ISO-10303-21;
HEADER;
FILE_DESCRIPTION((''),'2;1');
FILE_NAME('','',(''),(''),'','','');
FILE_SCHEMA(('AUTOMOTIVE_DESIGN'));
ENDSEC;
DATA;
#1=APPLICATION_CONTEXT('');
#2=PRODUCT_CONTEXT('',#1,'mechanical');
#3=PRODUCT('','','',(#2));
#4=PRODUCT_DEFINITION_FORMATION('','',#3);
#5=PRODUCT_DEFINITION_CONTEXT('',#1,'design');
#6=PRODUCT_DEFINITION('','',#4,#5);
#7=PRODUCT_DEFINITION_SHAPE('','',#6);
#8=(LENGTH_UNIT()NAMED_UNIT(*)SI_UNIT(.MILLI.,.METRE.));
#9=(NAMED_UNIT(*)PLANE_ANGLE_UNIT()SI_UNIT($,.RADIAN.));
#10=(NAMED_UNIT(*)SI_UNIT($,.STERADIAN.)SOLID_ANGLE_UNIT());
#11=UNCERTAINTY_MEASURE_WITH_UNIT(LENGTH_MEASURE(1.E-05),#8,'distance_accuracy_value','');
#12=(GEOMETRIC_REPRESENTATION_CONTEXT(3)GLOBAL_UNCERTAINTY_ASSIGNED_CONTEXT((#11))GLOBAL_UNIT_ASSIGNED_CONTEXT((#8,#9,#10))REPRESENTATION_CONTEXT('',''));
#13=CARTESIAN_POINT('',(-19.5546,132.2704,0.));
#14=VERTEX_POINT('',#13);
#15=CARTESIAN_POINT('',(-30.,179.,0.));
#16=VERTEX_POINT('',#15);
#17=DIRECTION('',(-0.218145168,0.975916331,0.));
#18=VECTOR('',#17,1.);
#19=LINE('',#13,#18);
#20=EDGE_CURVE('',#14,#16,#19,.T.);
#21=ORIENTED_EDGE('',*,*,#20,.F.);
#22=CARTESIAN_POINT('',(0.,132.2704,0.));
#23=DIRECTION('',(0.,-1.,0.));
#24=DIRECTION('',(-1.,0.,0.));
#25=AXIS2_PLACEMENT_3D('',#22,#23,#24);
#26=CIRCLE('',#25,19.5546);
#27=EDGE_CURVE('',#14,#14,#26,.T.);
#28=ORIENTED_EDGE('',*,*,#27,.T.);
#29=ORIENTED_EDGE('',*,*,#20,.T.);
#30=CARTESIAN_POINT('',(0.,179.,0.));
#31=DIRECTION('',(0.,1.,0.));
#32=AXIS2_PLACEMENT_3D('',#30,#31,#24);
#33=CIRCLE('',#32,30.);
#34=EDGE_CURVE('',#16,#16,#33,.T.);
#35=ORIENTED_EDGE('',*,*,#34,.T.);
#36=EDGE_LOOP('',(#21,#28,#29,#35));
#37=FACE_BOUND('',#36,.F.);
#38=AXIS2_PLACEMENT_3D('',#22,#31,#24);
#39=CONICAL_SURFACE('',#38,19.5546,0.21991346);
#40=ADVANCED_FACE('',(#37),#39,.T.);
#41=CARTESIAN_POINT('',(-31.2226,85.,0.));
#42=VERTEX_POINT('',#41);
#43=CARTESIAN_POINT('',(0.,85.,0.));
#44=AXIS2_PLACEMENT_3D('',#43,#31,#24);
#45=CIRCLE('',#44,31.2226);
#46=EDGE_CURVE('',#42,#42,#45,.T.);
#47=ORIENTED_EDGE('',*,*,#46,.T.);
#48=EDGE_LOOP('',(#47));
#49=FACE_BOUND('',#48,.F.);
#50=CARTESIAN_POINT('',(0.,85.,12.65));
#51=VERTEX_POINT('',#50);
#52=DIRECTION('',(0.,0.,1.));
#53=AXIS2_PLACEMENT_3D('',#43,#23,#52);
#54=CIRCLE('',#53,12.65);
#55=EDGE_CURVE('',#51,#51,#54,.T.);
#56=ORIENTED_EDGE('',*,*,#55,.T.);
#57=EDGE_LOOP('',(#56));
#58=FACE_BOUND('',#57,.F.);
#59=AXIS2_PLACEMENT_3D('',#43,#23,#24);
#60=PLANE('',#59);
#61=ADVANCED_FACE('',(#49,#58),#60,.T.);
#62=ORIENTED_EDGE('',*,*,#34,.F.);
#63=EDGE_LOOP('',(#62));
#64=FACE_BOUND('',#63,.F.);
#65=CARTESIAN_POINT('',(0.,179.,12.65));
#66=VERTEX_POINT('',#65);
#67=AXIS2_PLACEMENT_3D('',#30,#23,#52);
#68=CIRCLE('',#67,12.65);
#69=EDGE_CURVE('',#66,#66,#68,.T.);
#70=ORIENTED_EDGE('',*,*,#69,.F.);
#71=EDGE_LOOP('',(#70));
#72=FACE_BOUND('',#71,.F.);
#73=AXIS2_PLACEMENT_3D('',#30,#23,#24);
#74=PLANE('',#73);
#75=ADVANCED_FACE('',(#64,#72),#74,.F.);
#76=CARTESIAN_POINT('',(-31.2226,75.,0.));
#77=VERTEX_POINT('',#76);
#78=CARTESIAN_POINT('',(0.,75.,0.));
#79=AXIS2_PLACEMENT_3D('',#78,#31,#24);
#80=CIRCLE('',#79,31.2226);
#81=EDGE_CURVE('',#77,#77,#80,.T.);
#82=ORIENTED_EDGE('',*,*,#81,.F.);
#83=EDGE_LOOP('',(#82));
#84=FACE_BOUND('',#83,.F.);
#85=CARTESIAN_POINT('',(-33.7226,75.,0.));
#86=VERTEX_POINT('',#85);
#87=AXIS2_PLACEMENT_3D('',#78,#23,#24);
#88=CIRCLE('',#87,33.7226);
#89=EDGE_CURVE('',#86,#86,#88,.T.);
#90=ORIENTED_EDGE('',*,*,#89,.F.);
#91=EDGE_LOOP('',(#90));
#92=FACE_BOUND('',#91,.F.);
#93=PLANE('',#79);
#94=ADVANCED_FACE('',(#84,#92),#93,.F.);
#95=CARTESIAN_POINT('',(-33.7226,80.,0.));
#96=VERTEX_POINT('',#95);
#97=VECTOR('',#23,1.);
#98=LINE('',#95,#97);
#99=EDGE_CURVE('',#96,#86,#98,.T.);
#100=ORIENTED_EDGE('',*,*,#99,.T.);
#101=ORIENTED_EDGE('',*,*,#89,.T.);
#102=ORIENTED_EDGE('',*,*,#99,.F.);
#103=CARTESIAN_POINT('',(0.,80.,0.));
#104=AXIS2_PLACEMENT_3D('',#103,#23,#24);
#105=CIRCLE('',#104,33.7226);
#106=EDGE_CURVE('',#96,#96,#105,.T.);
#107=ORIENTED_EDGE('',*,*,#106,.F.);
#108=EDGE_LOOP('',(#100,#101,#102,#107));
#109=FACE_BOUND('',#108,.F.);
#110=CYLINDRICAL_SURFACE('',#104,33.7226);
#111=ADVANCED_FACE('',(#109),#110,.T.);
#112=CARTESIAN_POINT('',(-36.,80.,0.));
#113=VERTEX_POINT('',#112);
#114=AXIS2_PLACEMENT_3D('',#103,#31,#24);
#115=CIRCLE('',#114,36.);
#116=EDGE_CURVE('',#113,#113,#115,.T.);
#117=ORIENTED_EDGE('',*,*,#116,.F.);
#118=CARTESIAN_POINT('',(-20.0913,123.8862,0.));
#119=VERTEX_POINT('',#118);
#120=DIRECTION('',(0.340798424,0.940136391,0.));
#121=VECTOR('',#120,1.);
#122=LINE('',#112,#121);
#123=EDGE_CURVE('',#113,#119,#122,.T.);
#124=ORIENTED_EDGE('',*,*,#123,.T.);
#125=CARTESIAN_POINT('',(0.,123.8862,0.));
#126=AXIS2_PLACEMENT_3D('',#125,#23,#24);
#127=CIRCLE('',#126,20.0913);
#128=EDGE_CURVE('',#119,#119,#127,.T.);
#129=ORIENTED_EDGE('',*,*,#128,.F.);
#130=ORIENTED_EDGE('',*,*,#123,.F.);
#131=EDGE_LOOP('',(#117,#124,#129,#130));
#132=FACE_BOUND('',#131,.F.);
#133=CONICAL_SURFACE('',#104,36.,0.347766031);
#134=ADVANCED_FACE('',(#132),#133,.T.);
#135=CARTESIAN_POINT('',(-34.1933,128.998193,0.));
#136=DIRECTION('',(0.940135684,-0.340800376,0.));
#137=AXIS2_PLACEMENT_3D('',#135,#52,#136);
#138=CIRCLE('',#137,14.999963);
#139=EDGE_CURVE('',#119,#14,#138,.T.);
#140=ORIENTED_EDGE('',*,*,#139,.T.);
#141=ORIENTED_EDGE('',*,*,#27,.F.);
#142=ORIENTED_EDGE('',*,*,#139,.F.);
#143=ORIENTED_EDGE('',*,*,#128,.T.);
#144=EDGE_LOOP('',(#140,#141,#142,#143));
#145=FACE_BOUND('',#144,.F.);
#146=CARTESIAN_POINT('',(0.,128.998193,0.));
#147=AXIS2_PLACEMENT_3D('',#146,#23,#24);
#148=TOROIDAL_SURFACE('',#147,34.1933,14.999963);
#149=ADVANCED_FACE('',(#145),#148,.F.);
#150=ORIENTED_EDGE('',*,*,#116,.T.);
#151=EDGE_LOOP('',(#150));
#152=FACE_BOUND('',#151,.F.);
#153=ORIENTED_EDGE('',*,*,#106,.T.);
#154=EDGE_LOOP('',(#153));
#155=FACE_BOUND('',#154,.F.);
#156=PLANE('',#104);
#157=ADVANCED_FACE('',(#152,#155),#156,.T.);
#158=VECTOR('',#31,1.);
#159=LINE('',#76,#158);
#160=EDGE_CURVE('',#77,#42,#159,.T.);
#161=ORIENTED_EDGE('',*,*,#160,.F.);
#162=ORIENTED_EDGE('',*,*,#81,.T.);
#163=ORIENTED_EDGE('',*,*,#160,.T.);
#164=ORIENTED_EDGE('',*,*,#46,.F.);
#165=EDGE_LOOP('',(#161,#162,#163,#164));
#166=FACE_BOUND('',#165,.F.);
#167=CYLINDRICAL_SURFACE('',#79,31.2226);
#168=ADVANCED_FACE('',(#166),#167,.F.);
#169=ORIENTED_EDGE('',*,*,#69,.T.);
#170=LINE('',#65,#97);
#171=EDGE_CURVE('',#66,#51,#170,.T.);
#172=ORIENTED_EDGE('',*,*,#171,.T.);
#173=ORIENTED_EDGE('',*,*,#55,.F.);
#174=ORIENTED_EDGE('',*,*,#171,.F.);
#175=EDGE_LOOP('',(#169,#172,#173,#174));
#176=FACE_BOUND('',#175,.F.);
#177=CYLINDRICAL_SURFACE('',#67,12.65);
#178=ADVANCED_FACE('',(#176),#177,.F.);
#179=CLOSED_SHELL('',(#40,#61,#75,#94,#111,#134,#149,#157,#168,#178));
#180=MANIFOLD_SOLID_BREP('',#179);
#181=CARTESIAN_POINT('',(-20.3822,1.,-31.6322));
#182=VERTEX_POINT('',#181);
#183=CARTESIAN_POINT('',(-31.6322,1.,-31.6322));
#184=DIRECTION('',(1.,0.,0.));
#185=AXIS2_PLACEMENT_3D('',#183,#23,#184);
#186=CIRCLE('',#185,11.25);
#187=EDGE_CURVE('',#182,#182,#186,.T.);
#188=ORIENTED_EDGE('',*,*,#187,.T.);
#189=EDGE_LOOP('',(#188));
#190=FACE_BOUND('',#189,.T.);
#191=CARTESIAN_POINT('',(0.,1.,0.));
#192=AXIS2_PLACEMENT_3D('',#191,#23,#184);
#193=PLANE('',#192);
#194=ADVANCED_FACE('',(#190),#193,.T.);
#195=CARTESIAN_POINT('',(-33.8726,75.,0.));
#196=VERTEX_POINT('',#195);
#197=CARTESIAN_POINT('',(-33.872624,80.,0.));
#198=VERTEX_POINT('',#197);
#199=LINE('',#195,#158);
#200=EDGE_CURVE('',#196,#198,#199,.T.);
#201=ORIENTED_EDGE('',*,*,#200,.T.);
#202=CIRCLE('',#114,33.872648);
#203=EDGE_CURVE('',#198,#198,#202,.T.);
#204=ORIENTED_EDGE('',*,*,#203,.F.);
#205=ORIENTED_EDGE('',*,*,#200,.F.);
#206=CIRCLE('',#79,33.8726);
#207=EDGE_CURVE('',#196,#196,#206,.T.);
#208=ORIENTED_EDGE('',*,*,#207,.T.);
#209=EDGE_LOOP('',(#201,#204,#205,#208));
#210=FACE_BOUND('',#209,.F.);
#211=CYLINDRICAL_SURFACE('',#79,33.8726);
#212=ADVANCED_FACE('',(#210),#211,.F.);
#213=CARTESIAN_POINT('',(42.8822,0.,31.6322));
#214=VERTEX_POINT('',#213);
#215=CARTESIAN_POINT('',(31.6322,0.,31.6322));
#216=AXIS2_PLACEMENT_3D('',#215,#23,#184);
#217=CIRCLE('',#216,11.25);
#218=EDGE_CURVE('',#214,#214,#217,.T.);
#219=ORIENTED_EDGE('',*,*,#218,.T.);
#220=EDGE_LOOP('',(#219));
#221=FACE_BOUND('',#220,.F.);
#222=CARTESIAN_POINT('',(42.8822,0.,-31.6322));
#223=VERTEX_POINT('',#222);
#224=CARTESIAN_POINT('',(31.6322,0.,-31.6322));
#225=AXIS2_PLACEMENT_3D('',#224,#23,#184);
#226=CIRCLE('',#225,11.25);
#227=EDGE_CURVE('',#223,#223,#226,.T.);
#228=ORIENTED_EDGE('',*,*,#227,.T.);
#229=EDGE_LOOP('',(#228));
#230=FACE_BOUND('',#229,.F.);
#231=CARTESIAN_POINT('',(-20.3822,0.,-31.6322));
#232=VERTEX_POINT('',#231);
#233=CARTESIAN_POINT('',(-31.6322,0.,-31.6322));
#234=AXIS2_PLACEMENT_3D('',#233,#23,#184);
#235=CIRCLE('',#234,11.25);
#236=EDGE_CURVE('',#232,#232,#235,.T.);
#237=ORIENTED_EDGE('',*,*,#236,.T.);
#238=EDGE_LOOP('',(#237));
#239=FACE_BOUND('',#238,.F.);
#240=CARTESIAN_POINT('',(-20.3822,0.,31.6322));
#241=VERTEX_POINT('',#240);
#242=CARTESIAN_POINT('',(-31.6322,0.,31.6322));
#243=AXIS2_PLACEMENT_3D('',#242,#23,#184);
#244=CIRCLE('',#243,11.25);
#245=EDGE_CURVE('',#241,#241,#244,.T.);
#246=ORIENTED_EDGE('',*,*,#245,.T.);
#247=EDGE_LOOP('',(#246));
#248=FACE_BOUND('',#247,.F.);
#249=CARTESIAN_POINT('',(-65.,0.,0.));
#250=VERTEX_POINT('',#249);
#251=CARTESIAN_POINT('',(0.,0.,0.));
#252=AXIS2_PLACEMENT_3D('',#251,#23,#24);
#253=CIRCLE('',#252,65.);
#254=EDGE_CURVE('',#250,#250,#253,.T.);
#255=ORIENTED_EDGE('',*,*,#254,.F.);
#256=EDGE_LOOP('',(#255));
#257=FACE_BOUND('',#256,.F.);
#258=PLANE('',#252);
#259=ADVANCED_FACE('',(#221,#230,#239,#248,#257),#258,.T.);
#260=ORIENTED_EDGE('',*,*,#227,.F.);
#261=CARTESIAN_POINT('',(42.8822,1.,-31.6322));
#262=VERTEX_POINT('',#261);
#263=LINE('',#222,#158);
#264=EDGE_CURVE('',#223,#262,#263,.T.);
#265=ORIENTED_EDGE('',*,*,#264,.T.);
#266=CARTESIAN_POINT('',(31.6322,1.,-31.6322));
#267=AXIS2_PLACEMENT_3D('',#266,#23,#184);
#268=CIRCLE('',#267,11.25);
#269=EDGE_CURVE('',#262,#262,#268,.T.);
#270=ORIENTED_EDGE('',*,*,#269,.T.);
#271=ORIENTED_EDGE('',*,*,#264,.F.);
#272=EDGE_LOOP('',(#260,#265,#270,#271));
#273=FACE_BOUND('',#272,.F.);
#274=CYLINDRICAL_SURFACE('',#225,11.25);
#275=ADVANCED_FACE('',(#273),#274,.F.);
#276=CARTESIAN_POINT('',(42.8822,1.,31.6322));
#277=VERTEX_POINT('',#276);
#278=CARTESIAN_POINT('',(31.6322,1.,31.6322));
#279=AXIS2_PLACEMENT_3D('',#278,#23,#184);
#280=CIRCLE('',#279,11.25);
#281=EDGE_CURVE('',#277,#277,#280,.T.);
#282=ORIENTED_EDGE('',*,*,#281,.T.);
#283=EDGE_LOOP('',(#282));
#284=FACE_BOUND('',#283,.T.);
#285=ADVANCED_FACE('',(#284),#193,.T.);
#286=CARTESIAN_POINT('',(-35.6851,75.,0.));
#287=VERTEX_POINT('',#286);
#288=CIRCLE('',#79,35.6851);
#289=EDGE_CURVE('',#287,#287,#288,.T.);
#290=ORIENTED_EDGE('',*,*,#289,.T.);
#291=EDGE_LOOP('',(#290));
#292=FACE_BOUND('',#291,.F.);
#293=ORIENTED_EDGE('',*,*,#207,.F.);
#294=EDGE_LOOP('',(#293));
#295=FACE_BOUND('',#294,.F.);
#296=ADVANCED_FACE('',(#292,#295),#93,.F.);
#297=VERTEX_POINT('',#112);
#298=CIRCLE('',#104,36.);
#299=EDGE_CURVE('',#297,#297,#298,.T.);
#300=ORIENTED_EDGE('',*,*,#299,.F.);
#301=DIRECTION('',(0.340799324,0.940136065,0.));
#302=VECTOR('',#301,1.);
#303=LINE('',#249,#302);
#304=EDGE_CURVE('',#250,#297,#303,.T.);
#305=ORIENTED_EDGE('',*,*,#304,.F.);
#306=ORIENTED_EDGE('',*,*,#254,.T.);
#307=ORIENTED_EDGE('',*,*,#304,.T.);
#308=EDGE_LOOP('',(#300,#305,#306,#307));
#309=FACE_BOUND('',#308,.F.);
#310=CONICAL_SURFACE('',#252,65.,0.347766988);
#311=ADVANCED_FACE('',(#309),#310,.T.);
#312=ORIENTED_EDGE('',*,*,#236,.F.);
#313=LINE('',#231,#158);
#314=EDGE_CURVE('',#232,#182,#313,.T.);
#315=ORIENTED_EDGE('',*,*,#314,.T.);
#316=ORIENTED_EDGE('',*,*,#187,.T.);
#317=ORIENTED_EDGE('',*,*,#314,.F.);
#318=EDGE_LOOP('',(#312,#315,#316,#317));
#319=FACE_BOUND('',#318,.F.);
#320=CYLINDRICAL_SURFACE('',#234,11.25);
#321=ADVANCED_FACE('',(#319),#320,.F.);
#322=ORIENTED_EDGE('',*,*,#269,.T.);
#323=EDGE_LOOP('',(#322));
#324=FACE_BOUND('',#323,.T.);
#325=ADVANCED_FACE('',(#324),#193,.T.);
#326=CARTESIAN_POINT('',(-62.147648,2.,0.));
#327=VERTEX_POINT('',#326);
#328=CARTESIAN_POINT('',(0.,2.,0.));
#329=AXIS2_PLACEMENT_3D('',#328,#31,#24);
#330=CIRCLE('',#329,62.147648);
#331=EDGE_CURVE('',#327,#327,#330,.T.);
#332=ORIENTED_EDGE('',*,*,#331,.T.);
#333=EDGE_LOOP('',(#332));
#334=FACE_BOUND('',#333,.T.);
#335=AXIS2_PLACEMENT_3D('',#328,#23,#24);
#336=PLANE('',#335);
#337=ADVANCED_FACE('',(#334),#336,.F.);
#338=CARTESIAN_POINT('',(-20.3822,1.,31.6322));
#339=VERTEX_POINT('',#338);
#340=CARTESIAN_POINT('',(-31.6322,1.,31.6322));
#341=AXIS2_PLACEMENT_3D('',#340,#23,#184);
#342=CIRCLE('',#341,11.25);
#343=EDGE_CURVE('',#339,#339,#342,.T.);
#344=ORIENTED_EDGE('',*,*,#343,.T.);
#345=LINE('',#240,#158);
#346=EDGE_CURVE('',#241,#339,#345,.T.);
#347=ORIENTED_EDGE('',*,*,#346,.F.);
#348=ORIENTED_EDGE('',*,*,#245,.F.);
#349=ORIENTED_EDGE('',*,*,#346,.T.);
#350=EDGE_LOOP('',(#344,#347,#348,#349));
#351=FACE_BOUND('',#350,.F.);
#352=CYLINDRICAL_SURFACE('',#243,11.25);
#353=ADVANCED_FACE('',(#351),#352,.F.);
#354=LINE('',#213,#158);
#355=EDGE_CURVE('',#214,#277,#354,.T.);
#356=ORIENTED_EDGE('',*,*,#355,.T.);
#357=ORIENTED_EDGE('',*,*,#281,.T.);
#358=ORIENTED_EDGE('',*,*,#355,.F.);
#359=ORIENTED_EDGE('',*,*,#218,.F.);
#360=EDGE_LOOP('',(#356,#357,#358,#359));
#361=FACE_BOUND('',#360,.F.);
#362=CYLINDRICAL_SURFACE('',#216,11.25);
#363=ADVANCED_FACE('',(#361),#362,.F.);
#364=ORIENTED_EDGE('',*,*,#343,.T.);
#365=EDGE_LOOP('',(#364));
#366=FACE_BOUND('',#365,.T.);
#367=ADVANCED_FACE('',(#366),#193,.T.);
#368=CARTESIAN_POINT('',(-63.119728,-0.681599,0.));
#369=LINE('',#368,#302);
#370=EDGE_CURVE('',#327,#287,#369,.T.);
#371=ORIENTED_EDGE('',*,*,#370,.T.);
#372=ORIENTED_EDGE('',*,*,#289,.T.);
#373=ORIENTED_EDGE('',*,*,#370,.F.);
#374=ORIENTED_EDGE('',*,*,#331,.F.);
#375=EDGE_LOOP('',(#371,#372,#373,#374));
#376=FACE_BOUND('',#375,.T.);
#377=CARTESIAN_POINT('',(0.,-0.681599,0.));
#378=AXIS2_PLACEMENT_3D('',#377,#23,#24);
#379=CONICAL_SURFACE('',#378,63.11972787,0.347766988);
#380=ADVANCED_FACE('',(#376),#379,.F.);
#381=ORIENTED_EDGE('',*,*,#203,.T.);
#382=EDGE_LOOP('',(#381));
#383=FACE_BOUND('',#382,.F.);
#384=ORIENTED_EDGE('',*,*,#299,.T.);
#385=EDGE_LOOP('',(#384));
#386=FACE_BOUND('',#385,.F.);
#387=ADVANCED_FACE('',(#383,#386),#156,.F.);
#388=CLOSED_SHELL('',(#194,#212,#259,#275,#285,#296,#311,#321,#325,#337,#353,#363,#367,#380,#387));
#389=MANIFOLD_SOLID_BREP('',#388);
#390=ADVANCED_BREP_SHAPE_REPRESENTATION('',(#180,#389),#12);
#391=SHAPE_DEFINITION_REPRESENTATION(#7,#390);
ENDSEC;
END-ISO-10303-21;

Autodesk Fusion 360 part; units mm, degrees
sketch "Esquisse1" plane through (0, 0, 0) normal (0, 0, 1) x (1, 0, 0)
  line L0 (0, 0) -> (-65, 0)
  line L1 (-65, 0) -> (-36, 80)
  line L2 (-36, 80) -> (0, 80)
  line L3 (0, 80) -> (0, 0)
  dimension "d1" = 65
  dimension "d2" = 36
  dimension "d3" = 80
revolve "Révolution1" add sketch "Esquisse1" angle 360 about axis through (0, 80, 0) along (0, -1, 0) makes body 1
shell "Coque1" thickness 2 removed faces 1 at (-7.6159, 80, -11.1705) on bodies 1
sketch "Esquisse2" plane through (0, 0, 0) normal (0, 0, 1) x (1, 0, 0)
  line L0 (0, 80) -> (-36, 80)
  line L1 (-36, 80) -> (-20.0913, 123.8862)
  line L2 (-19.5546, 132.2704) -> (-30, 179)
  line L3 (-30, 179) -> (0, 179)
  line L4 (0, 179) -> (0, 80)
  arc A0 (-20.0913, 123.8862) -> (-19.5546, 132.2704) centre (-34.1933, 128.9982) ccw
  line L5 (0, 1.75) -> (0, 22.5)
  line L6 (-19.5546, 132.2704) -> (-18.6, 128) construction
  line L7 (-18.6, 128) -> (-20.0913, 123.8862) construction
  line L8 (65, 0) -> (-65, 0)
  line L9 (36, 80) -> (-36, 80)
  line L10 (-65, 0) -> (-36, 80)
  line L11 (-36, 80) -> (0, 80)
  point P0 (-18.6, 128)
  point P1 (-36, 80)
  dimension "d6" = 30
  dimension "d8" = 48
  dimension "d9" = 51
  dimension "d10" = 15
  dimension "d44" = 18.6
  dimension "d45" = 36
revolve "Révolution2" add sketch "Esquisse2" angle 360 about axis through (0, 179, 0) along (0, -1, 0) separate body makes body 2
sketch "Esquisse6" plane through (0, 0, 0) normal (0, 0, 1) x (1, 0, 0)
  line L0 (-33.8726, 80) -> (-35.6851, 80)
  line L1 (-35.6851, 80) -> (-35.6851, 75)
  line L2 (-35.6851, 75) -> (-33.8726, 75)
  line L3 (-33.8726, 75) -> (-33.8726, 80)
  line L4 (62.1476, 2) -> (-62.1476, 2)
  line L5 (-33.8726, 80) -> (33.8726, 80)
  line L6 (-62.1476, 2) -> (-33.8726, 80) construction
  dimension "d46" = 5
revolve "Révolution4" add sketch "Esquisse6" angle 360 about axis through (0, 1.75, 0) along (0, 1, 0) bodies 1
sketch "Esquisse3" plane through (0, 0, 0) normal (0, 0, 1) x (1, 0, 0)
  line L0 (-33.7226, 80) -> (-33.7226, 75)
  line L1 (-33.7226, 75) -> (-31.2226, 75)
  line L2 (-31.2226, 75) -> (-31.2226, 80)
  line L3 (-31.2226, 80) -> (-33.7226, 80)
  line L4 (30, 179) -> (-30, 179)
  line L5 (36, 80) -> (-36, 80)
  arc A0 (-20.0913, 123.8862) -> (-19.5546, 132.2704) centre (-34.1933, 128.9982) ccw
  arc A1 (19.5546, 132.2704) -> (20.0913, 123.8862) centre (34.1933, 128.9982) ccw
  line L6 (19.5546, 132.2704) -> (30, 179)
  line L7 (-19.5546, 132.2704) -> (-30, 179)
  line L8 (-20.0913, 123.8862) -> (-36, 80)
  line L9 (20.0913, 123.8862) -> (36, 80)
  point P0 (-33.8726, 80)
  dimension "d12" = 5
  dimension "d13" = 2.5
  dimension "d48" = 0.15
revolve "Révolution3" add sketch "Esquisse3" angle 360 about axis through (0, 1.75, 0) along (0, 1, 0) contours L0 L1 L2 L3 L5 bodies 2
hole "Perçage1" at (0, 179, 0) direction (0, -1, 0) diameter 25.3 depth 100 tip angle 180 bodies 2
move_face "DéplacerFace1" by (0, 5, 0) 1 faces at (-24.9037, 80, -1.8663) on bodies 2
sketch "Esquisse7" plane through (0, 0, 0) normal (0, -1, 0) x (1, 0, 0)
  circle A0 centre (0, 0) radius 65
  circle A1 centre (-31.6322, 31.6322) radius 11.25
  circle A2 centre (-31.6322, -31.6322) radius 11.25
  circle A3 centre (31.6322, 31.6322) radius 11.25
  circle A4 centre (31.6322, -31.6322) radius 11.25
  line L0 (-31.6322, 31.6322) -> (31.6322, -31.6322) construction
  line L1 (-31.6322, -31.6322) -> (31.6322, 31.6322) construction
  line L2 (-31.6322, 31.6322) -> (31.6322, 31.6322) construction
  line L3 (31.6322, 31.6322) -> (31.6322, -31.6322) construction
  line L4 (31.6322, -31.6322) -> (-31.6322, -31.6322) construction
  line L5 (-31.6322, -31.6322) -> (-31.6322, 31.6322) construction
  dimension "d49" = 22.5
extrude "Extrusion3" cut sketch "Esquisse7" against normal blind 1 contours A1 | A2 | A3 | A4 bodies 1
equation "d2 = 38 mm - 2 mm"
equation "d17 = 25 mm + 0.30 mm"
equation "d48 = ( 0.3 / 2 ) * 1 mm"
